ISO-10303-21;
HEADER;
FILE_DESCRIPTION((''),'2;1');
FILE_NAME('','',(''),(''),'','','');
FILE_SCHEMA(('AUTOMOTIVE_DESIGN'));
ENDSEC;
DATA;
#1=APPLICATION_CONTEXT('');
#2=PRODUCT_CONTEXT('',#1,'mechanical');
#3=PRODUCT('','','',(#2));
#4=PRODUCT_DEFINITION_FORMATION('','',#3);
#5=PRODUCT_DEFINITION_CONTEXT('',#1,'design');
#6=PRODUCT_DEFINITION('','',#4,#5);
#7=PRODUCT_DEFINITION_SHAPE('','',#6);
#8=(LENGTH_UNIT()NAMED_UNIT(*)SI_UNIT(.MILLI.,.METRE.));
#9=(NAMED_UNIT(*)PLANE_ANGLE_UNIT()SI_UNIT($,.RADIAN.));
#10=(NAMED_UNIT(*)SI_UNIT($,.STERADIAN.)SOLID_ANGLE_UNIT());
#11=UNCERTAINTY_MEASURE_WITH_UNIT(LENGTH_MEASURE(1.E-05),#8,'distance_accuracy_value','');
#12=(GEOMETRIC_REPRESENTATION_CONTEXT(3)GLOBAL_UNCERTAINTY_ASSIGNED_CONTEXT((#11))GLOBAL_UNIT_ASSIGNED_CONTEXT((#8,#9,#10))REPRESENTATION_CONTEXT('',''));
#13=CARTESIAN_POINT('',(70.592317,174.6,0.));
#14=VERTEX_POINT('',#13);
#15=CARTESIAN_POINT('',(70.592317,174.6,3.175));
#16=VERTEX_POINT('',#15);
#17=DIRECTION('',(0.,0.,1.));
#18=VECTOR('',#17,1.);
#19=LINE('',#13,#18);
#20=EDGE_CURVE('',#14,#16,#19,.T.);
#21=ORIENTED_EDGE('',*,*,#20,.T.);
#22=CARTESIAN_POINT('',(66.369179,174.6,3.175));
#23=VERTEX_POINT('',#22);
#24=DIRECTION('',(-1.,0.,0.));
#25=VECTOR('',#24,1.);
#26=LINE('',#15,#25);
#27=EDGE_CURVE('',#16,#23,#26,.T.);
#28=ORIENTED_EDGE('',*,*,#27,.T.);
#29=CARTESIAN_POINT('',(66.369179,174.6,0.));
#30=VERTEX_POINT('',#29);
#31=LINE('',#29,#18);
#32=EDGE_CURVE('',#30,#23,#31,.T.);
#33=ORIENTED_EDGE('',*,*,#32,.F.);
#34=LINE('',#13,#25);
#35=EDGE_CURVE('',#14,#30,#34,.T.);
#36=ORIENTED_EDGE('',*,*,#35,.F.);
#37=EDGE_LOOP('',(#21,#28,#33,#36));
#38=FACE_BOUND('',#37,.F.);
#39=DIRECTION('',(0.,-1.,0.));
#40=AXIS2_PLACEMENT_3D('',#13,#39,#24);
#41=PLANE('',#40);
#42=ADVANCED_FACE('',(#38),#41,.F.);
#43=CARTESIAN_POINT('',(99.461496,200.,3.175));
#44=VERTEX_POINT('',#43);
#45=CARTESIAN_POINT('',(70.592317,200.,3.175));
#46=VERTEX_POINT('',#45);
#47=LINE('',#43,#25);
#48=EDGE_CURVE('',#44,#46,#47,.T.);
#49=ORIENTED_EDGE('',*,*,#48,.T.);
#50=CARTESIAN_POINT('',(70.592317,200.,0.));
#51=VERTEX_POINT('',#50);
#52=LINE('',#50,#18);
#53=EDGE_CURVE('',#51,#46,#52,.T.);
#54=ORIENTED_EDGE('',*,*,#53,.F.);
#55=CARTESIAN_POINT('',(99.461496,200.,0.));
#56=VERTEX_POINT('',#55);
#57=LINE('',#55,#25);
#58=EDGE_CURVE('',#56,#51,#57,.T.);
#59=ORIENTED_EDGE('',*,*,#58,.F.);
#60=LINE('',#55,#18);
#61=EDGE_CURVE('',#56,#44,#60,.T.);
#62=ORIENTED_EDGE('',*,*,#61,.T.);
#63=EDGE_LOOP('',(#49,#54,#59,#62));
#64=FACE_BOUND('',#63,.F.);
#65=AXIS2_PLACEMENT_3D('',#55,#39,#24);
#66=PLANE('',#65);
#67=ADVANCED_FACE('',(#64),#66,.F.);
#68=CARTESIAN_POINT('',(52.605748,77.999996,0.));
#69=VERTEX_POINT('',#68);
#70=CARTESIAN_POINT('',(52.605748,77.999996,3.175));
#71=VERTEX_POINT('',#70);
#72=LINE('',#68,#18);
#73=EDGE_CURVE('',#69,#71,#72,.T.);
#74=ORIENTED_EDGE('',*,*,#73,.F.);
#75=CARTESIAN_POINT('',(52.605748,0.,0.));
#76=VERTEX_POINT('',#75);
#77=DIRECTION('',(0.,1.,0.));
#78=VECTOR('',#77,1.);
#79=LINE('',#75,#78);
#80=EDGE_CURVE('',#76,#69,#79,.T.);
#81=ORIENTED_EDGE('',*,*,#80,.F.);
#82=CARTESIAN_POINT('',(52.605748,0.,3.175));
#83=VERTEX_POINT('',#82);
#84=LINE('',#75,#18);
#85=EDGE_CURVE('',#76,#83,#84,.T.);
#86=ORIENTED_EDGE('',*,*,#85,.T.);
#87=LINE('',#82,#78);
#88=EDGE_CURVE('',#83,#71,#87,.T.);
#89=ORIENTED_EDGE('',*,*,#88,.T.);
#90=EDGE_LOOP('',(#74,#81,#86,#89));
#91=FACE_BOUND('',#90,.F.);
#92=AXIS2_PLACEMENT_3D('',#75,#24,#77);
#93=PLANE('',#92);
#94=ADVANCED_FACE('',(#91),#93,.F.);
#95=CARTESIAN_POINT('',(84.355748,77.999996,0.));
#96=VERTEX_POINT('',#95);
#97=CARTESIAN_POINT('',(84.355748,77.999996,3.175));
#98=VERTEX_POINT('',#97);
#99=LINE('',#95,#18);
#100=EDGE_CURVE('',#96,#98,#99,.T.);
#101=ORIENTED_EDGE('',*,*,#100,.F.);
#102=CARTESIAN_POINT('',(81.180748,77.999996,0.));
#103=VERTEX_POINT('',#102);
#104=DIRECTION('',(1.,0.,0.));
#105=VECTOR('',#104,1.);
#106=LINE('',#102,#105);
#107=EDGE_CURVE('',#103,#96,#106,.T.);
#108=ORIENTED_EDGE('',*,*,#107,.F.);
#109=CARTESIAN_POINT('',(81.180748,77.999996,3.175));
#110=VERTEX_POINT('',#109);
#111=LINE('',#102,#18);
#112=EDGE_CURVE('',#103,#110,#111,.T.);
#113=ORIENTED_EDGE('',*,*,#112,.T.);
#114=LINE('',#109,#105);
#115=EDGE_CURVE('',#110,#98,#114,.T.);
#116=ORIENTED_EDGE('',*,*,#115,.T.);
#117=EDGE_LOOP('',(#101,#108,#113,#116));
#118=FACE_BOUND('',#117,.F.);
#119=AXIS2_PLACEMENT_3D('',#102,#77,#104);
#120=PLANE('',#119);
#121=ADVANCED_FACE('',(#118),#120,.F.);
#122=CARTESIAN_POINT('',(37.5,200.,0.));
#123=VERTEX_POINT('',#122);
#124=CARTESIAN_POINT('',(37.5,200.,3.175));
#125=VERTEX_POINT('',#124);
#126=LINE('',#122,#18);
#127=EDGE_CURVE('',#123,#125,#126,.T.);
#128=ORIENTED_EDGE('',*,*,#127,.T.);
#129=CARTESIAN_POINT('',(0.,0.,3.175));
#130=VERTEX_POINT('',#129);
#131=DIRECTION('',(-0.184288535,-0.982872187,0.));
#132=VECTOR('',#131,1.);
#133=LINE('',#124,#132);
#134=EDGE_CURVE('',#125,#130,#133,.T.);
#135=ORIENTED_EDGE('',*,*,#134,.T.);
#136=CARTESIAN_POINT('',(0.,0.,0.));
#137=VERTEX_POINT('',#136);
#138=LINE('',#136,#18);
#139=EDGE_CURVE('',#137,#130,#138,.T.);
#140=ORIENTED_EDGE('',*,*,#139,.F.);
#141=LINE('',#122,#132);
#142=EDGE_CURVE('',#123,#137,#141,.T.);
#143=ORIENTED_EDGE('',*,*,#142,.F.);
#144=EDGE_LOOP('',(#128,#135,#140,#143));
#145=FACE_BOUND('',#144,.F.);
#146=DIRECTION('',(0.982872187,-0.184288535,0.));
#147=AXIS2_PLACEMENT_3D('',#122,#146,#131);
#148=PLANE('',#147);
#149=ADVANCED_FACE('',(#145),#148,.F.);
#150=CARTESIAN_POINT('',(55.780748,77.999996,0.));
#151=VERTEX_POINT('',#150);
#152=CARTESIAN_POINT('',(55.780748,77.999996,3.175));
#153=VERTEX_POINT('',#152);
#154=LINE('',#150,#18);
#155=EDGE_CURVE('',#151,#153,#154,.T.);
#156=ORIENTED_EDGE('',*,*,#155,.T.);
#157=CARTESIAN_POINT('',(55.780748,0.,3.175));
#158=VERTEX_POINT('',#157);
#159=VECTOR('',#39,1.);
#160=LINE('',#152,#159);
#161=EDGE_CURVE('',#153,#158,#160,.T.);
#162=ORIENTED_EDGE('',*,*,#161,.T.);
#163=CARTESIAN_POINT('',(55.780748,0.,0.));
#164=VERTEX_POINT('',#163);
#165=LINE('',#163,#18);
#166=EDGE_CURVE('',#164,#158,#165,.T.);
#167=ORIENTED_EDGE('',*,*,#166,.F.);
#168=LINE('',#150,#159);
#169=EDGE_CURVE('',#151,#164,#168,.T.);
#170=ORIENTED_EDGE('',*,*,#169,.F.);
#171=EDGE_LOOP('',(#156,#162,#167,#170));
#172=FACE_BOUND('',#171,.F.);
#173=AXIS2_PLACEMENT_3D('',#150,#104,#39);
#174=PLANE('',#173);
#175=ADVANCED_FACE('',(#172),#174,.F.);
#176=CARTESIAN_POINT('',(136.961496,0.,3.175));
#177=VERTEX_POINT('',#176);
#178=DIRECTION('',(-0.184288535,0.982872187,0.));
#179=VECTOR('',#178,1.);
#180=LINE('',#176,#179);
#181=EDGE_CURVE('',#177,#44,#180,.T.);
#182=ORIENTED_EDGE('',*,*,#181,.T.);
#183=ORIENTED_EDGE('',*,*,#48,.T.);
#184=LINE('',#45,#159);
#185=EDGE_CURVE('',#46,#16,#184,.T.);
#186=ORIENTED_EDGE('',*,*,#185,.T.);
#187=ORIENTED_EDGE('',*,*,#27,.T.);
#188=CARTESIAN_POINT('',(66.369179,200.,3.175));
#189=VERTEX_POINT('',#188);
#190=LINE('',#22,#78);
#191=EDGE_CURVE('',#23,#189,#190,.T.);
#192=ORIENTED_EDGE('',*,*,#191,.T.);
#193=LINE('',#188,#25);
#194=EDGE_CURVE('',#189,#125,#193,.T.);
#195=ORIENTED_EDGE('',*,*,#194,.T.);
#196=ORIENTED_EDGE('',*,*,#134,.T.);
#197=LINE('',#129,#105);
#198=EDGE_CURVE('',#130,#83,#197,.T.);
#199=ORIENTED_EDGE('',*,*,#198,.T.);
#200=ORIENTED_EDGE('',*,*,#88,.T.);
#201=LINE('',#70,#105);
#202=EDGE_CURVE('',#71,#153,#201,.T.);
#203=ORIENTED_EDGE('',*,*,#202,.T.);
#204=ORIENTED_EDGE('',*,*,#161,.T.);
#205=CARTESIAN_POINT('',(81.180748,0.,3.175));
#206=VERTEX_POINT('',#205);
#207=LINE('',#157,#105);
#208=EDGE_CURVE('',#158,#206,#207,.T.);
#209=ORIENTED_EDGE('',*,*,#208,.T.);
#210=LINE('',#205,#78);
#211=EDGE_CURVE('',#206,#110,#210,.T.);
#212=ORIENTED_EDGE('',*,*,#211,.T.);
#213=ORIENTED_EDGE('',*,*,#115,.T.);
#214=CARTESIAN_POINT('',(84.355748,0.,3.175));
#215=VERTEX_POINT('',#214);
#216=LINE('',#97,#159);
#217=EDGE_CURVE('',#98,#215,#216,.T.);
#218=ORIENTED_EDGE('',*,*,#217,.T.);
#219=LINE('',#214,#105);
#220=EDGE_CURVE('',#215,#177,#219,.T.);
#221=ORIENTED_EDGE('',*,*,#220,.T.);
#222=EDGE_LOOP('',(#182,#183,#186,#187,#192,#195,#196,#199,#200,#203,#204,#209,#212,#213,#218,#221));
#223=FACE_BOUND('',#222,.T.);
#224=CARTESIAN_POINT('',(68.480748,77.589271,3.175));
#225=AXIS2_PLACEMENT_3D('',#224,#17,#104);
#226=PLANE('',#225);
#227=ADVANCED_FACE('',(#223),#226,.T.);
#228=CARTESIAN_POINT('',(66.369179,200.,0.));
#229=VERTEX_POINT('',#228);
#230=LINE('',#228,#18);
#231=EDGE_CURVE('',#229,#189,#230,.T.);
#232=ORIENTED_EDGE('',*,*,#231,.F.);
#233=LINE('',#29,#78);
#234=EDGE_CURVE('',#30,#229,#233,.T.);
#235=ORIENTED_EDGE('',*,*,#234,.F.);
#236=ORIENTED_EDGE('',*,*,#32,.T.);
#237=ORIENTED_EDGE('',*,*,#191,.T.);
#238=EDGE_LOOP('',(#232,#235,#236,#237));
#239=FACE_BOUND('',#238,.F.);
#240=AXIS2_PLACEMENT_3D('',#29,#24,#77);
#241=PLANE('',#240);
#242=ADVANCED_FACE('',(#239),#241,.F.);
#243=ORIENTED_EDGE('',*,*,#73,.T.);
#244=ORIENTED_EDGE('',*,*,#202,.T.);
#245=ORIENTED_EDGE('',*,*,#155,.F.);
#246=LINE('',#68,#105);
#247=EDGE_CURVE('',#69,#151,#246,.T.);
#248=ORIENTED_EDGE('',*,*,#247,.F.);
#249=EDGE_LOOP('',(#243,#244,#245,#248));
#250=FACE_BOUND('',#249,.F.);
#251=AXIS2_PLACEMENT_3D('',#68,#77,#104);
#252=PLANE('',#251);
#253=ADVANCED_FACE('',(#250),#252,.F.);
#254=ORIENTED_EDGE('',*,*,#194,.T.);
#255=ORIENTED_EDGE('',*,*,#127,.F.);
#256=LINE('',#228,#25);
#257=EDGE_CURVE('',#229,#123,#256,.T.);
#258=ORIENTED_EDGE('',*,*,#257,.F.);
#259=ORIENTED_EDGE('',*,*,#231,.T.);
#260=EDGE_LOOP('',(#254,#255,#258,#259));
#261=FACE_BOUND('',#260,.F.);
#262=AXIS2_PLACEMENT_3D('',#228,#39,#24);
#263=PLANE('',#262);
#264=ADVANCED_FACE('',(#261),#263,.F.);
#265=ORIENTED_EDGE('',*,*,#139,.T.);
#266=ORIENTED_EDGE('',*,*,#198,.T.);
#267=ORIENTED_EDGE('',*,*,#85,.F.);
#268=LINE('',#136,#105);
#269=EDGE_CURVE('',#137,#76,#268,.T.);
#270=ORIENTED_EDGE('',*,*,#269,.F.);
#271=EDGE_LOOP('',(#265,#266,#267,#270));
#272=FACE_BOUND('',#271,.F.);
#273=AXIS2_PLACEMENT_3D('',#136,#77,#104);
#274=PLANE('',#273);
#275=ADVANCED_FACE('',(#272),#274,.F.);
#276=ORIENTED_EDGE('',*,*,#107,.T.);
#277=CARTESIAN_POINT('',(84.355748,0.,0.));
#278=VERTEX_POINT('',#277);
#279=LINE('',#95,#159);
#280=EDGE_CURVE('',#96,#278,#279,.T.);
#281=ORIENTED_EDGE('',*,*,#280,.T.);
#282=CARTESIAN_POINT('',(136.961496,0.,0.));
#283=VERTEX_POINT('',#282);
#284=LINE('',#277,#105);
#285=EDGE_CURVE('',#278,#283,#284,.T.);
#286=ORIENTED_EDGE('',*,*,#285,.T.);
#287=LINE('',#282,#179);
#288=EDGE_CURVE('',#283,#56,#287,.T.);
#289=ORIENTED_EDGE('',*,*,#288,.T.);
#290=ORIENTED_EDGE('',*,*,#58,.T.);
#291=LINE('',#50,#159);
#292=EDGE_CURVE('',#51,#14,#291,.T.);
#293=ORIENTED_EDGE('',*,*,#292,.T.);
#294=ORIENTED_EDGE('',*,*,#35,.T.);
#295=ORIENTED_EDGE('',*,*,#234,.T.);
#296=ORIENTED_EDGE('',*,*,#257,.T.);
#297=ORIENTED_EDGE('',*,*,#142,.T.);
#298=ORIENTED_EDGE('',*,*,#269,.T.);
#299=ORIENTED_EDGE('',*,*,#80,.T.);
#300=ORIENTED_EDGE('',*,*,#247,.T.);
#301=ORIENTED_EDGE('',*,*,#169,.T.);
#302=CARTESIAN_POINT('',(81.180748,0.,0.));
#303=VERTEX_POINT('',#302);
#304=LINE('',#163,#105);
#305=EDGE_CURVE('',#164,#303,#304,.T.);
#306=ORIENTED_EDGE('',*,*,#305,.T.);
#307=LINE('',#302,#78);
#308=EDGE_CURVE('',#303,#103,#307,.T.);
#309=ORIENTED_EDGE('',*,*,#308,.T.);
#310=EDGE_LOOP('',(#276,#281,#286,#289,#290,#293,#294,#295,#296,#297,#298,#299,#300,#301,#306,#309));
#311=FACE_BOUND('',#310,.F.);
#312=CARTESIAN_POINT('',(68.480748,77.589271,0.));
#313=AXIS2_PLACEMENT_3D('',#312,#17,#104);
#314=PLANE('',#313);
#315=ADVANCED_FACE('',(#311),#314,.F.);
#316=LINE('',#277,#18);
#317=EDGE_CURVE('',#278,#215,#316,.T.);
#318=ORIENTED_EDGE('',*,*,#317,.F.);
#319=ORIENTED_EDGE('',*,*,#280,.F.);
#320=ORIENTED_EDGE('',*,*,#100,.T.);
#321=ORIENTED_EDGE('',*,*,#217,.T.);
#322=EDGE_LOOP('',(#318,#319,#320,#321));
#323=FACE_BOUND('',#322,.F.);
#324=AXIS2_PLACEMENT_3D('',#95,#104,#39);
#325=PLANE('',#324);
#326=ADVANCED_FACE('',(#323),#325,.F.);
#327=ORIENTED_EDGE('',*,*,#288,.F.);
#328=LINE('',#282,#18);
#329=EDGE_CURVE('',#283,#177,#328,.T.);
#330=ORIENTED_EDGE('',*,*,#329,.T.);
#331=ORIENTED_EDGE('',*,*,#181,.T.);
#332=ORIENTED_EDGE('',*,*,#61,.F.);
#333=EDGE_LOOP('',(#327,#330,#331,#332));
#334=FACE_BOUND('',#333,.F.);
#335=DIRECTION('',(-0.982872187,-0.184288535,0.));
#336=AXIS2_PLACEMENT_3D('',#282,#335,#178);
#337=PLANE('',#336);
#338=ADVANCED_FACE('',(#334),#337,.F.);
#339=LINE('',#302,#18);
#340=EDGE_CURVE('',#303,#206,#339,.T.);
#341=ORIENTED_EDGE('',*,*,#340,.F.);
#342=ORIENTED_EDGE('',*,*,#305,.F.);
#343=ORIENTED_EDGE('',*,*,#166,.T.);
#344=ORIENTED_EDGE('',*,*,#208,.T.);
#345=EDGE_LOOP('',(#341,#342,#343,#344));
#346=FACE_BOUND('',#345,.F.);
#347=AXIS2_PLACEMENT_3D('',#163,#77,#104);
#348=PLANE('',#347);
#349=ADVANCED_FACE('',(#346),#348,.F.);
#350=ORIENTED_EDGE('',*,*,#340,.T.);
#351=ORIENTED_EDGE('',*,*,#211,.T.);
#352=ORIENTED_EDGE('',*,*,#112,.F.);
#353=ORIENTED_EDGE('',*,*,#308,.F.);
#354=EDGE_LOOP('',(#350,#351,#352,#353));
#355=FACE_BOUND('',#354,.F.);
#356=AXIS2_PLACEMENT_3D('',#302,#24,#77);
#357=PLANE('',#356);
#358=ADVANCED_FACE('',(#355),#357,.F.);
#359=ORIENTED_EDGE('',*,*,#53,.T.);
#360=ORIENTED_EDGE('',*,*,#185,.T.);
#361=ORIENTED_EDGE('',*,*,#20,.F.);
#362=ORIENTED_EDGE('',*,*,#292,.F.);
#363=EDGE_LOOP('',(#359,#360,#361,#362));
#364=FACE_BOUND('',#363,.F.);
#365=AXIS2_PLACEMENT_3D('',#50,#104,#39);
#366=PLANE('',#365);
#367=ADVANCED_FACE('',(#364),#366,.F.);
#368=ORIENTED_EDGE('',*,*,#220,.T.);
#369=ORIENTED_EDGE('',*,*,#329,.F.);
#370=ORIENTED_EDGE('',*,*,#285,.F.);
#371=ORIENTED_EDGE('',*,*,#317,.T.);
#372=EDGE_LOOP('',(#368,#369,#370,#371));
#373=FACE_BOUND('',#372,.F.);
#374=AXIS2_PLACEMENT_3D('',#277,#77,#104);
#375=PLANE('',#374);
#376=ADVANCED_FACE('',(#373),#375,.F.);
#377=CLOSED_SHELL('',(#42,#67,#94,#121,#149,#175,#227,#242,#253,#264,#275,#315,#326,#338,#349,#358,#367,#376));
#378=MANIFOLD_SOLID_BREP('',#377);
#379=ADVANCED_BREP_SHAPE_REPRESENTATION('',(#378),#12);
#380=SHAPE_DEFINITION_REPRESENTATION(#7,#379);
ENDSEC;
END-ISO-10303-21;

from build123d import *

# Parameters (mm, degrees)
F1_DEPTH = 3.175


with BuildPart() as f1:
    # F0 (on Top) → F1 (new body)
    with BuildSketch(Plane.XY):
        Polygon((37.5, 200), (0, 0), (52.605748, 0), (52.605748, 77.999996), (55.780748, 77.999996), (55.780748, 0), (73.4125, 0), (76.5875, 0), (81.180748, 0), (81.180748, 77.999996), (84.355748, 77.999996), (84.355748, 0), (136.961496, 0), (99.461496, 200), (76.5875, 200), (72.534124, 200), (70.592317, 200), (70.592317, 174.6), (66.369179, 174.6), (66.369179, 200), align=None)
    extrude(amount=F1_DEPTH)


solid = f1.part
